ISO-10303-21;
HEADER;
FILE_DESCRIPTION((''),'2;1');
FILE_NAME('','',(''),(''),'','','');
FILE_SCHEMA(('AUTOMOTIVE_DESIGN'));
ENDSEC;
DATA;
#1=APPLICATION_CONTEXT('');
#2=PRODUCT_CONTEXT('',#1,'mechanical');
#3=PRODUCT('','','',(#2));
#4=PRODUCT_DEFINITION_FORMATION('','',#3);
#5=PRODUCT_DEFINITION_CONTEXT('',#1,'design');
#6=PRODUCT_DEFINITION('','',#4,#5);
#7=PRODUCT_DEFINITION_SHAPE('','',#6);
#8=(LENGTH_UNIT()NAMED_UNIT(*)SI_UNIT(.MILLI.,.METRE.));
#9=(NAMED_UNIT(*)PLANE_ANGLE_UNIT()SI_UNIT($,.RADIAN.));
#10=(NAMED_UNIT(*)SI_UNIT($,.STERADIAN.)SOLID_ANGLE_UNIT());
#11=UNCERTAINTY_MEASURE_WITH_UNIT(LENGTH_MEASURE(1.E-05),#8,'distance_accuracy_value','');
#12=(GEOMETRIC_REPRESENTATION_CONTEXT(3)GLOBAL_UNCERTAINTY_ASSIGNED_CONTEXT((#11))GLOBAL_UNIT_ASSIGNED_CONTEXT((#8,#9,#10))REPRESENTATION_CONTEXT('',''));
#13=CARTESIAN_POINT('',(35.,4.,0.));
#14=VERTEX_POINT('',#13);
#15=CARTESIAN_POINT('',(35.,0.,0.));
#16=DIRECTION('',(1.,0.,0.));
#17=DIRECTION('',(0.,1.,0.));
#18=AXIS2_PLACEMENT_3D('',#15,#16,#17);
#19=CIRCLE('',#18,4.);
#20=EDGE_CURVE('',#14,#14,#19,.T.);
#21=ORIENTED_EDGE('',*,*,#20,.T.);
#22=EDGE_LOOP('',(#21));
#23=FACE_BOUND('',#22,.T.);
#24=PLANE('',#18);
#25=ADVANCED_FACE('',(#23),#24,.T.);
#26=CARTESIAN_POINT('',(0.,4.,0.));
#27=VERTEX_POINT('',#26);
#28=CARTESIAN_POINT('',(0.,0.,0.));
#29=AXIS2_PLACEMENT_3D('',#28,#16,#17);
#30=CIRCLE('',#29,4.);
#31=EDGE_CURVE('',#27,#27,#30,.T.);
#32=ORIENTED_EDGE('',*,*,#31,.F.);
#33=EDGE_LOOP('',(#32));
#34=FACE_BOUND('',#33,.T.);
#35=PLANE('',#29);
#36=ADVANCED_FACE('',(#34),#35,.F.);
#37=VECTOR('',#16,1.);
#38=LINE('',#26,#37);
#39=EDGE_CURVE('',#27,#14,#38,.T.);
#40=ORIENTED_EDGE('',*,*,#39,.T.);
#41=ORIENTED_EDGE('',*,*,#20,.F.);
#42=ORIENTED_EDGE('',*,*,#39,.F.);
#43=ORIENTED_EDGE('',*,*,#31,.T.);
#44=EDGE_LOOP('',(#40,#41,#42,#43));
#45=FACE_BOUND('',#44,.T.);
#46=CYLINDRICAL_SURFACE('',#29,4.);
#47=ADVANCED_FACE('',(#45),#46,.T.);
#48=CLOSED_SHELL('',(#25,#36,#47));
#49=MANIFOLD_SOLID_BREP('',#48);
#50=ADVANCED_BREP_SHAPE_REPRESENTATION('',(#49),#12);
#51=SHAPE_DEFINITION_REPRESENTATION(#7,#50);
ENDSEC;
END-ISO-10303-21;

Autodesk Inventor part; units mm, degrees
ref_plane "Start Plane" through (0, 0, 0) normal (1, 0, 0) x (0, 1, 0)
ref_plane "XZ Plane" through (0, 0, 0) normal (0, 1, 0) x (-1, 0, 0)
ref_plane "XY Plane" through (0, 0, 0) normal (0, 0, 1) x (1, 0, 0)
sketch "Main Sketch" plane through (0, 0, 0) normal (0, 0, 1) x (1, 0, 0)
  line L0 (0, 0) -> (35, 0)
  line L1 (0, 0) -> (0, 4)
  line L2 (35, 4) -> (35, 0)
  line L3 (0, 4) -> (35, 4)
  dimension "d3" = 8
revolve "Revolution1" add sketch "Main Sketch" angle 360 about axis through (0, 0, 0) along (1, 0, 0)
properties part number "Shaft" material "Steel"
